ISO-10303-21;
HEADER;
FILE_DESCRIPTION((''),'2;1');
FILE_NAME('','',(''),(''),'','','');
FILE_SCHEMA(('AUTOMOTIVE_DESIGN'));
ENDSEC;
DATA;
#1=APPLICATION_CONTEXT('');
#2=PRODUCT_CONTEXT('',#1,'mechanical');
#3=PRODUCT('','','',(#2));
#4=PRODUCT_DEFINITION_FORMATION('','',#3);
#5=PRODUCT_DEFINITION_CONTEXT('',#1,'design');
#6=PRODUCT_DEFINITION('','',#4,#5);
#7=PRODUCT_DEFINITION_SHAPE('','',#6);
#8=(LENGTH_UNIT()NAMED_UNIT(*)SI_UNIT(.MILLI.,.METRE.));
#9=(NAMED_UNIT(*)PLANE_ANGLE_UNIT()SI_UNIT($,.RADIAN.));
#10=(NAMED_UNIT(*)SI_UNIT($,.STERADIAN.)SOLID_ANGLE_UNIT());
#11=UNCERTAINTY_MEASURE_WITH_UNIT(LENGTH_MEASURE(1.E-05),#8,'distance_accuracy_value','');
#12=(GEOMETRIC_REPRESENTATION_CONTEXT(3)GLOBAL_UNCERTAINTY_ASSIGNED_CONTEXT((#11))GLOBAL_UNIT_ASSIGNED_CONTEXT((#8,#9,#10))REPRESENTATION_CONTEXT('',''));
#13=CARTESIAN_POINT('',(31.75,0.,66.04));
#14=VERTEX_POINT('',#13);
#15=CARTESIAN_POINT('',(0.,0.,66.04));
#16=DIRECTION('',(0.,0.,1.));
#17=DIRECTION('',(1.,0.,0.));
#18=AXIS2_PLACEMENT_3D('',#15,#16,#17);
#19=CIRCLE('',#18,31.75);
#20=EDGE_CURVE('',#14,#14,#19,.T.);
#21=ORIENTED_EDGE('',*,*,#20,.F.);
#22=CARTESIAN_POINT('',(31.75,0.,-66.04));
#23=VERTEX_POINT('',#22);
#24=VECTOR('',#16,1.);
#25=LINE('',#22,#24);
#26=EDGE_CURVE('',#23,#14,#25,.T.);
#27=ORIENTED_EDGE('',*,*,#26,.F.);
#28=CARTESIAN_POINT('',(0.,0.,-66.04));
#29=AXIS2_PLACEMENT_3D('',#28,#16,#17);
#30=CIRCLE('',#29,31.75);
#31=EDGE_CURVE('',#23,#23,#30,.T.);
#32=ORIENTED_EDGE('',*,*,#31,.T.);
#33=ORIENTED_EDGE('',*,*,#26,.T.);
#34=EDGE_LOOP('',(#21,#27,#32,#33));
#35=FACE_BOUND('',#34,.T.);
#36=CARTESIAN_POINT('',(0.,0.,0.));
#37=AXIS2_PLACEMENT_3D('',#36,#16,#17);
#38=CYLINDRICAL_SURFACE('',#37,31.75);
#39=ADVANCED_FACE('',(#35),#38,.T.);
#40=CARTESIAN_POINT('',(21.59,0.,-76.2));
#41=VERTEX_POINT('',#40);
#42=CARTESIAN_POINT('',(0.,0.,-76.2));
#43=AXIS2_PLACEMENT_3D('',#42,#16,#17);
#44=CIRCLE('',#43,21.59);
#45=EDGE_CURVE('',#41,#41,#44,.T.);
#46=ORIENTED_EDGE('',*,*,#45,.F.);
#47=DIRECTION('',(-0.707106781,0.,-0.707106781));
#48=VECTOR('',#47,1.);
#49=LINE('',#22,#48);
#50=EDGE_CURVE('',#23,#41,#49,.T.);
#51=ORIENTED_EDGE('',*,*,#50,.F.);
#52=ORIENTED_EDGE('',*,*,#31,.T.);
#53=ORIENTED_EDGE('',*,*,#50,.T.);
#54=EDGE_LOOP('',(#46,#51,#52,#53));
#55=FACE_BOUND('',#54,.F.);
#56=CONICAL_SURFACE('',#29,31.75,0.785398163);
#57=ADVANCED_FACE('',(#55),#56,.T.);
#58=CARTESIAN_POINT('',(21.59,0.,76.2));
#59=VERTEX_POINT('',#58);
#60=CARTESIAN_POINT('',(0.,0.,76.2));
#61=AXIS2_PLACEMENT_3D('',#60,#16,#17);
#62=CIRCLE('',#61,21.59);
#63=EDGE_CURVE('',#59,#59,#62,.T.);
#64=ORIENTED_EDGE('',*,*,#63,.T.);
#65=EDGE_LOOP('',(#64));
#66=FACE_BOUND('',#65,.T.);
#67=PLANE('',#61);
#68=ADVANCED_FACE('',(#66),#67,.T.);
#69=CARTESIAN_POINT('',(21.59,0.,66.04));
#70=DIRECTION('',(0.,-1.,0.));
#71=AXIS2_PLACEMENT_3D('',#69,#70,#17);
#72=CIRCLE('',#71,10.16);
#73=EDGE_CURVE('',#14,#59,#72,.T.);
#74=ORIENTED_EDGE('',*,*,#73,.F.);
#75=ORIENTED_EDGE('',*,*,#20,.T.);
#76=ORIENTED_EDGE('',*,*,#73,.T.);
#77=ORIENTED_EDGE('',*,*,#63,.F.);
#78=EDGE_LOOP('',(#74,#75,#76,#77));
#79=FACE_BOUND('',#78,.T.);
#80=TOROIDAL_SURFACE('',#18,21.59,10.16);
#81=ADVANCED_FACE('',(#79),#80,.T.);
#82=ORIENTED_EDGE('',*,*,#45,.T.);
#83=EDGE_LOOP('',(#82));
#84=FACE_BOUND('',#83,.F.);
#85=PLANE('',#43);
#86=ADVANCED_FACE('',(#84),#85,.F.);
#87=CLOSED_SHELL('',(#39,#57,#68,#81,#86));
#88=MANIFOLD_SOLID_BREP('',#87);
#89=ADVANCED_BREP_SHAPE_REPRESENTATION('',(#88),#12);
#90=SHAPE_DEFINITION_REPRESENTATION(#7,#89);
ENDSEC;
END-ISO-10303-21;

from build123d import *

# Parameters (mm, degrees)
F0_R          = 31.75
F1_DEPTH      = 76.2
F1_DEPTH_BACK = 76.2
F2_R          = 10.16
F3_SIZE       = 10.16


with BuildPart() as f1:
    # F0 (on Top) → F1 (new body, two sides)
    with BuildSketch(Plane.XY) as f1_sk:
        Circle(F0_R)
    extrude(amount=-F1_DEPTH)
    extrude(f1_sk.sketch, amount=F1_DEPTH_BACK)

    # F2
    f2_edges = [f1.edges().sort_by_distance(p)[0] for p in [
        (-31.75, 0, 76.2),
    ]]
    fillet(f2_edges, radius=F2_R)

    # F3
    f3_edges = [f1.edges().sort_by_distance(p)[0] for p in [
        (-31.75, 0, -76.2),
    ]]
    chamfer(f3_edges, length=F3_SIZE)


solid = f1.part
